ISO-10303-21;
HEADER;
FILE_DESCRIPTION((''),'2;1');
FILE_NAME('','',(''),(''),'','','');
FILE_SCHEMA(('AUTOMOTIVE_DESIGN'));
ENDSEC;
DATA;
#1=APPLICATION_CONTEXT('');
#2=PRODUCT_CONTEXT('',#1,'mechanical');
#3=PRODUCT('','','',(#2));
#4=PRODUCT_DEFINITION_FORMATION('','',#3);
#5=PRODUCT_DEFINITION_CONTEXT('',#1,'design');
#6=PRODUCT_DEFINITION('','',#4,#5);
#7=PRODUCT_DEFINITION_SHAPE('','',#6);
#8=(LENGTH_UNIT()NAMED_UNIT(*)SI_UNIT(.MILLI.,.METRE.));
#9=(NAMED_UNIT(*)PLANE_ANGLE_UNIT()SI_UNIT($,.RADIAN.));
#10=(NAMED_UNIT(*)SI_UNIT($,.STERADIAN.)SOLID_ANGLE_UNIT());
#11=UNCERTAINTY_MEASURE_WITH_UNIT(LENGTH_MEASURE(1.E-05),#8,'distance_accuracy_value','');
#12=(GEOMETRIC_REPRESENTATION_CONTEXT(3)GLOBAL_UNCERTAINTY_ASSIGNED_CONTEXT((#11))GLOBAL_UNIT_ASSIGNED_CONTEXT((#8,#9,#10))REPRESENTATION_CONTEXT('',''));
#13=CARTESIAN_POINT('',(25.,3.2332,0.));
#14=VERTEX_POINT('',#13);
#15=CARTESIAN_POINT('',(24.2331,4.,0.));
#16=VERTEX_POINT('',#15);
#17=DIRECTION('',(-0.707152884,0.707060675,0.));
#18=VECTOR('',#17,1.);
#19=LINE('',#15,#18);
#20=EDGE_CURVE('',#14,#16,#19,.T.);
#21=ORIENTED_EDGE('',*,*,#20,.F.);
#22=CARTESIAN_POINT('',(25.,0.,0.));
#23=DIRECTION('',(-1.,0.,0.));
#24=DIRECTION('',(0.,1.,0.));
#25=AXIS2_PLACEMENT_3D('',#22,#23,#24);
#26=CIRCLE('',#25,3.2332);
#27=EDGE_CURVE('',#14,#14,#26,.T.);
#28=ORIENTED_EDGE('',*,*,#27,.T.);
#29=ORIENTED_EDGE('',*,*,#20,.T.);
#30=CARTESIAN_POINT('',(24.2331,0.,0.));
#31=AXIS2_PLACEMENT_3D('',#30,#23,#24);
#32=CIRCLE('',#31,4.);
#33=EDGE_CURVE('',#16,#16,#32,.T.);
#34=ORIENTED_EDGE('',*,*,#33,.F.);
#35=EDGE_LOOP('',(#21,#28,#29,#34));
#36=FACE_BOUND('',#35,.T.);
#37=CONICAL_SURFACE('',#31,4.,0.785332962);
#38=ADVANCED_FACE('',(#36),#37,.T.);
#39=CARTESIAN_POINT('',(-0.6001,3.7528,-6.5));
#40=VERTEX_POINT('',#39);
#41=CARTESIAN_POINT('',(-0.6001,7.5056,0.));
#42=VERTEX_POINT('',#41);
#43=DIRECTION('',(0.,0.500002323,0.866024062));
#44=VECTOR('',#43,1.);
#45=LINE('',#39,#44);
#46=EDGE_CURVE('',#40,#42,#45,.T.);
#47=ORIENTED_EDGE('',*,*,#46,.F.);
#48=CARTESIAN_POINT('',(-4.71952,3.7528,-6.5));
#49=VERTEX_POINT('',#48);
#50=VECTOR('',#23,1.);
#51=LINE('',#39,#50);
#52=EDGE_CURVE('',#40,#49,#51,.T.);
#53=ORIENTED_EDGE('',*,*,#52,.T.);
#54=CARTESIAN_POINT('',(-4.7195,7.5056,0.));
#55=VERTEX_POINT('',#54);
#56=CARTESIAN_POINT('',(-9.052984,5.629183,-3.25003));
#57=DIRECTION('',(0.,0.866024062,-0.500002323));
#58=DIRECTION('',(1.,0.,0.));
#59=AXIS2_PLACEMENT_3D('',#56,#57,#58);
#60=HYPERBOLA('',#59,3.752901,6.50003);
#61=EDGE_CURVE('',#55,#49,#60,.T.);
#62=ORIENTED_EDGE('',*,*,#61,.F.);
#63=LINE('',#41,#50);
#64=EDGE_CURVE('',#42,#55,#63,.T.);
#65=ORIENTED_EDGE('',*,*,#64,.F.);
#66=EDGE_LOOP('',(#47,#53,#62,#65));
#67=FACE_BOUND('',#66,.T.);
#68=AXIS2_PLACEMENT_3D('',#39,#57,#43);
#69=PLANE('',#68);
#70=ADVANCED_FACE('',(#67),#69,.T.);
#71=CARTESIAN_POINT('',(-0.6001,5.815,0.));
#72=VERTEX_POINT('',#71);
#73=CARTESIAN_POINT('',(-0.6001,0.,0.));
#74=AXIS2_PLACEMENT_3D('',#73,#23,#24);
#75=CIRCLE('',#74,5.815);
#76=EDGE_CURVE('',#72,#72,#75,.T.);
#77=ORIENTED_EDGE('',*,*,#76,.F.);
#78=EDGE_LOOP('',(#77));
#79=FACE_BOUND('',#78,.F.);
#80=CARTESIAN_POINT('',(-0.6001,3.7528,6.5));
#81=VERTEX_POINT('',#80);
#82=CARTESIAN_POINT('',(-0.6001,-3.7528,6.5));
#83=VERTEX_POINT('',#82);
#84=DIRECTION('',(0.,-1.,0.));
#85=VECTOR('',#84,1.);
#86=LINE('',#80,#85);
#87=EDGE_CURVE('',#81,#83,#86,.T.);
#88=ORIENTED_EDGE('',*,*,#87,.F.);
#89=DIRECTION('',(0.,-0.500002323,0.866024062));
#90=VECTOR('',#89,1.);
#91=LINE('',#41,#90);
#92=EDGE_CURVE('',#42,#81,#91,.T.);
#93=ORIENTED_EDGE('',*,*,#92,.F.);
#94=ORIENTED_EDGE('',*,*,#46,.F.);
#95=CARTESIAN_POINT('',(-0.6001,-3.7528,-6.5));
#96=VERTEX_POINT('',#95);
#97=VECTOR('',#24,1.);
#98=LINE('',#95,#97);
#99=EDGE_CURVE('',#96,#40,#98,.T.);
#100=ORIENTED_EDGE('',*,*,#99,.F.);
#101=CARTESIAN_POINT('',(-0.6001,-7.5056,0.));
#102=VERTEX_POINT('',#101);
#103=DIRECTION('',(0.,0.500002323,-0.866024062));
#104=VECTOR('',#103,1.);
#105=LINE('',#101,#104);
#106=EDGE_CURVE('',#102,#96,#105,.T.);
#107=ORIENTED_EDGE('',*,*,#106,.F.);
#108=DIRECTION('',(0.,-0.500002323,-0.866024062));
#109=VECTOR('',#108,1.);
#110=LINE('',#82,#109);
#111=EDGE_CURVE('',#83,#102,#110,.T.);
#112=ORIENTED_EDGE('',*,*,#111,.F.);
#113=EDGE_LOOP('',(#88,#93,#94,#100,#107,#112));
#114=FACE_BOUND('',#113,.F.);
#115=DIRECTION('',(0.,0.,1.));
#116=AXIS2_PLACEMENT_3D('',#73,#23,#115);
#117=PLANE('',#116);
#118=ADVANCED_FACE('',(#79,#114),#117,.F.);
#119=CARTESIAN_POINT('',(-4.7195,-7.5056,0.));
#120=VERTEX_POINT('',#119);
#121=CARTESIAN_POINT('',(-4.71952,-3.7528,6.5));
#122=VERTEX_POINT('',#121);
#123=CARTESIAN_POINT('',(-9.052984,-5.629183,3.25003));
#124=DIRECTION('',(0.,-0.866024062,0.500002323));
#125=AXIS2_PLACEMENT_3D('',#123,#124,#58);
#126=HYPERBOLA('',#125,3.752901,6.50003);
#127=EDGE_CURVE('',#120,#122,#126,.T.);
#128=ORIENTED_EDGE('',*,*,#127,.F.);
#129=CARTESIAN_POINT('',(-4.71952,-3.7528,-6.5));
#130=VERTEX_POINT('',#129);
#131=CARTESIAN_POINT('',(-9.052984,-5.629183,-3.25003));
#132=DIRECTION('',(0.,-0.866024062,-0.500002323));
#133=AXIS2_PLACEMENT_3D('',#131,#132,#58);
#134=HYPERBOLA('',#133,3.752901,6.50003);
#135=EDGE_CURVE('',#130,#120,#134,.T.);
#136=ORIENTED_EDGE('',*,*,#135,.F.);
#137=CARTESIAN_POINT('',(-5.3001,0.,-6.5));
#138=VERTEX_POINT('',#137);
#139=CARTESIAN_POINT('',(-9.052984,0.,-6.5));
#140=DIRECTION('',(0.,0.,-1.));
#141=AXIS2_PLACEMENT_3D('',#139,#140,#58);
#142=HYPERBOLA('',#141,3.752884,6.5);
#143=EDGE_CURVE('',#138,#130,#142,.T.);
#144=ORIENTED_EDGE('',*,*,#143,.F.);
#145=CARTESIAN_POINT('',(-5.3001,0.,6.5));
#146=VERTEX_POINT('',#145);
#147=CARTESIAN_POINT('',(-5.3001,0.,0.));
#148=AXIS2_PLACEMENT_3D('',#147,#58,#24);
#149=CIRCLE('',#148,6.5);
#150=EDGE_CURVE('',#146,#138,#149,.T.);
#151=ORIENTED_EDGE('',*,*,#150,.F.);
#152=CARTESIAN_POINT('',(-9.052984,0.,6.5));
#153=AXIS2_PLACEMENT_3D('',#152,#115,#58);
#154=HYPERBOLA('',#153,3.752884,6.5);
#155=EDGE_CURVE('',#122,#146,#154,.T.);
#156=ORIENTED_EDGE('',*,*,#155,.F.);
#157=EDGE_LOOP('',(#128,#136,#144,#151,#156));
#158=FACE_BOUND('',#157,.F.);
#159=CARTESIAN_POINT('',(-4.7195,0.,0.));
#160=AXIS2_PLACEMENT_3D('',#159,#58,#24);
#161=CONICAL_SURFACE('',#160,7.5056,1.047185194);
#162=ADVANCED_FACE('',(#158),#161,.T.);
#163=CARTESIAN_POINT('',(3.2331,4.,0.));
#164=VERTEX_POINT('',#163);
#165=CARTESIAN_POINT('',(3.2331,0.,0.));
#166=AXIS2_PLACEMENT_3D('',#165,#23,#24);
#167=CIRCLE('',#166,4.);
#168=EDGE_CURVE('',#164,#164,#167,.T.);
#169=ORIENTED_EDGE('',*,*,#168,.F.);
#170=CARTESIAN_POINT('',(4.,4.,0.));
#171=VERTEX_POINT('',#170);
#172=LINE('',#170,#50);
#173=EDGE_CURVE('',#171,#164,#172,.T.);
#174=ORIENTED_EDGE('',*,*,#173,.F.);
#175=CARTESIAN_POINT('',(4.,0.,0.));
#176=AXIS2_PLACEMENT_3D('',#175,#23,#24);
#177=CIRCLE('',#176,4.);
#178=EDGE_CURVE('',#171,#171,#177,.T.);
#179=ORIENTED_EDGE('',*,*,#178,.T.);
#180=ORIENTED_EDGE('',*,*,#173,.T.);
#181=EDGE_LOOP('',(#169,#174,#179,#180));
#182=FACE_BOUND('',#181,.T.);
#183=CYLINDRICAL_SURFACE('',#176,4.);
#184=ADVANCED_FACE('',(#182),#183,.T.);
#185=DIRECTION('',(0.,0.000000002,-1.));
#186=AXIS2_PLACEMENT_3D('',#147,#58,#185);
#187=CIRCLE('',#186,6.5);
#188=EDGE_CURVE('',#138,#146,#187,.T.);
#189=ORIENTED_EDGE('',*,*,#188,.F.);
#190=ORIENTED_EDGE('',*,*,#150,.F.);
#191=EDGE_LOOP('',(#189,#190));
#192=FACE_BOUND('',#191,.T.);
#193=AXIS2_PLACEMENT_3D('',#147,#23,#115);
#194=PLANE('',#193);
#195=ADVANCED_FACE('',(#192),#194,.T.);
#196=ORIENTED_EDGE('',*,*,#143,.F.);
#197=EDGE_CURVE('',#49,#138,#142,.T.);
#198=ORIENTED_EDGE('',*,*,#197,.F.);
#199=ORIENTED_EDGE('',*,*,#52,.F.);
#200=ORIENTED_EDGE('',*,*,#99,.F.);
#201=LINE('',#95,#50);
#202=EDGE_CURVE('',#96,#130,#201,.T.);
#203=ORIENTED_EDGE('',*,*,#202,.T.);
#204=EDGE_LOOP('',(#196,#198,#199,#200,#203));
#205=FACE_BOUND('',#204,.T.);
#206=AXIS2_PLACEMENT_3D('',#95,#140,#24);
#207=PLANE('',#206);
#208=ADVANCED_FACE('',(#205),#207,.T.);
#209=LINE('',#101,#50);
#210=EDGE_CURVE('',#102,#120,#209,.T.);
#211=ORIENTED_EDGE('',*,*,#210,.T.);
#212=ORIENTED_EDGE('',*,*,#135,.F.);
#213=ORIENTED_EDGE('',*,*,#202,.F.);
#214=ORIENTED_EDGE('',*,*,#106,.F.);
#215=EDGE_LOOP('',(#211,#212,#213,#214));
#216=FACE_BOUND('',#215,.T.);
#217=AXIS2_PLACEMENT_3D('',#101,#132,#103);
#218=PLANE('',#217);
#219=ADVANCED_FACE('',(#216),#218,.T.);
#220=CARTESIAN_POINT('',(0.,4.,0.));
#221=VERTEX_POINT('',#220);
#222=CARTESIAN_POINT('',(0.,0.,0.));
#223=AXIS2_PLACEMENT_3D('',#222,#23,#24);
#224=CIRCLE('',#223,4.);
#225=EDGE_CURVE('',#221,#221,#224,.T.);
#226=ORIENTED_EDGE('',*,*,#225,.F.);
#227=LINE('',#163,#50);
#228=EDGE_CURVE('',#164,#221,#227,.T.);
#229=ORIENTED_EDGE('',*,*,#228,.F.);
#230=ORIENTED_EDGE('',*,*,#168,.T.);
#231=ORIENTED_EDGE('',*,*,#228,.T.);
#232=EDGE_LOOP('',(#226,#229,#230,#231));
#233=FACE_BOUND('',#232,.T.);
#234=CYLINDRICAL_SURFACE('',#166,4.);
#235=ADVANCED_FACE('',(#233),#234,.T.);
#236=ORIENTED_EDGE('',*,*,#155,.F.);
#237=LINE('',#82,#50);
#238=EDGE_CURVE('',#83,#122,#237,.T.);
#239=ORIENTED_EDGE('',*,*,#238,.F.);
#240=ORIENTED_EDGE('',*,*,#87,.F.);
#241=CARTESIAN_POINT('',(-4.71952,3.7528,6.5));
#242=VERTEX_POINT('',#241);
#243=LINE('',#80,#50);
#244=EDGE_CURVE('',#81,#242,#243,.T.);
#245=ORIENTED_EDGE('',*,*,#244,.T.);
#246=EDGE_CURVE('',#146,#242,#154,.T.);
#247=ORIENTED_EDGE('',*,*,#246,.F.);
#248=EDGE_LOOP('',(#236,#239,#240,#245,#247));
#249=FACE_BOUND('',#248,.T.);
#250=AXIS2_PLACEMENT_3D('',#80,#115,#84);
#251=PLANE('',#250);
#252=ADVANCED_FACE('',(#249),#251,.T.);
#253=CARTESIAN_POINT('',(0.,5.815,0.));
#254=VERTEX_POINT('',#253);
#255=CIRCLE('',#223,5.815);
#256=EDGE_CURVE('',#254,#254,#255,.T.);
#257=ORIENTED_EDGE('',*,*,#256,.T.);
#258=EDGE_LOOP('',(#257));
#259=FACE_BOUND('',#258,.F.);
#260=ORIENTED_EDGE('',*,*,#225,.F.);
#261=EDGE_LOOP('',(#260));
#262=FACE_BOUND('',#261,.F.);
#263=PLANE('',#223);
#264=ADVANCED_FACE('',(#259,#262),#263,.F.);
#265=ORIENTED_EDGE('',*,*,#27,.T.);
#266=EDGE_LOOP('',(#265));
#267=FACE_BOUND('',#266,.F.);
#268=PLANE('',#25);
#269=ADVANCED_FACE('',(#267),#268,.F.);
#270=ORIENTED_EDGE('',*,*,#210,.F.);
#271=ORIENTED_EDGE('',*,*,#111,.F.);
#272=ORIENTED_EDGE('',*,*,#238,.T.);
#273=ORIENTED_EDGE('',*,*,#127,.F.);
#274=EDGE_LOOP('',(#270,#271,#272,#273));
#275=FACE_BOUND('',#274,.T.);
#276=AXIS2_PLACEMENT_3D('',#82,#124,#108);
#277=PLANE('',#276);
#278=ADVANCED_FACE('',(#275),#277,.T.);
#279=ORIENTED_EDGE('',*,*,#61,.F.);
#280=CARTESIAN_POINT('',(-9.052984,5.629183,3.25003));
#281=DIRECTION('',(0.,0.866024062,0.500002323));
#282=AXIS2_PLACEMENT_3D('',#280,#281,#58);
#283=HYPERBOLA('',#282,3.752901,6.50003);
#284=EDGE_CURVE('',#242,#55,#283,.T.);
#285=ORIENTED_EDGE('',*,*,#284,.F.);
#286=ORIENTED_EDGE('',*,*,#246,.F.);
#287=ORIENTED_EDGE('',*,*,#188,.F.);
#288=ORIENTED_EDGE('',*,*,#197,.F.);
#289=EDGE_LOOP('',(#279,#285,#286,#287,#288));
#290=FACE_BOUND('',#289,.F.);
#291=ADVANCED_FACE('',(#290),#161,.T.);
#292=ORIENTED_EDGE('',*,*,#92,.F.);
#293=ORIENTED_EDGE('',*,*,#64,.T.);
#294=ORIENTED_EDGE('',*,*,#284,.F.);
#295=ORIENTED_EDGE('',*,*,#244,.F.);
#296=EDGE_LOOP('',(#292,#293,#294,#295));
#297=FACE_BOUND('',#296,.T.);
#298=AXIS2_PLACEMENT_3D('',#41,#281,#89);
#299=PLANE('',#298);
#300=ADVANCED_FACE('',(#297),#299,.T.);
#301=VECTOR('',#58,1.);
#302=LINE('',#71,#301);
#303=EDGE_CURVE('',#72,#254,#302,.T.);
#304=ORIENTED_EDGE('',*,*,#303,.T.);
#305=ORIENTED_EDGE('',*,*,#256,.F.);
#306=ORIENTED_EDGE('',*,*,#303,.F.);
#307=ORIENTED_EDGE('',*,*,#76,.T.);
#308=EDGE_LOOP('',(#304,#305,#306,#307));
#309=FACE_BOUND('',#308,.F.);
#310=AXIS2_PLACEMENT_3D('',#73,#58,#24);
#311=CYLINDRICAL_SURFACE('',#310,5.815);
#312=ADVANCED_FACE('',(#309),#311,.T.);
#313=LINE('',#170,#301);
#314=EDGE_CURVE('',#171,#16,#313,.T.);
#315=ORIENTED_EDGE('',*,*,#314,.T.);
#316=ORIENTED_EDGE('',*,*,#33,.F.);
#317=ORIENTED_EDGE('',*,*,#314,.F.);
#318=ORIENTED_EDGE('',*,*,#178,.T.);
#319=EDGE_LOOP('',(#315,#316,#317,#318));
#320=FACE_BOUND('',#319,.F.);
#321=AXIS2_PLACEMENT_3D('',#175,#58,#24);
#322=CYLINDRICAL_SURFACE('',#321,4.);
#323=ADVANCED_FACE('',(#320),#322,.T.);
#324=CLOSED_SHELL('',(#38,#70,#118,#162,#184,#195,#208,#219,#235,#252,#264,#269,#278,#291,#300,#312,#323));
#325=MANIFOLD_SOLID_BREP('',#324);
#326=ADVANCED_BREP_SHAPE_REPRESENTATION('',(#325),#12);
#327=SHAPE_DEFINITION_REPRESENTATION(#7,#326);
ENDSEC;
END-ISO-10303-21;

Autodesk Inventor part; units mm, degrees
ref_plane "YZ Plane" through (0, 0, 0) normal (1, 0, 0) x (0, 1, 0)
ref_plane "XZ Plane" through (0, 0, 0) normal (0, 1, 0) x (-1, 0, 0)
ref_plane "XY Plane" through (0, 0, 0) normal (0, 0, 1) x (1, 0, 0)
sketch "Sketch1" plane through (0, 0, 0) normal (0, 0, 1) x (1, 0, 0)
  line L0 (0, 5.815) -> (0, 4)
  line L1 (4, 4) -> (25, 4)
  line L2 (25, 4) -> (25, 0)
  line L3 (25, 0) -> (-0.6001, 0)
  line L4 (-3.0501, 0) -> (32.65, 0) projected
  line L5 (-0.6001, 0) -> (-0.6001, 5.815)
  line L6 (-0.6001, 5.815) -> (0, 5.815)
  line L7 (4, 4) -> (3.2331, 4)
  line L8 (3.2331, 4) -> (0, 4)
  line L9 (0, -0.344) -> (0, 4.472) projected
  dimension "d0" = 25
  dimension "d1" = 21
  dimension "d2" = 8
  dimension "d9" = 0.6001
  dimension "d10" = 11.63
  dimension "d13" = 0.7669
  dimension "d14" = 8
revolve "Body" add sketch "Sketch1" angle 360 about axis through (25, 0, 0) along (-1, 0, 0)
sketch "Sketch2" plane through (-0.6001, 0, 0) normal (-1, 0, 0) x (0, 0, 1)
  line L0 (0, 7.5056) -> (6.5, 3.7528)
  line L1 (6.5, 3.7528) -> (6.5, -3.7528)
  line L2 (6.5, -3.7528) -> (0, -7.5056)
  line L3 (0, -7.5056) -> (-6.5, -3.7528)
  line L4 (-6.5, -3.7528) -> (-6.5, 3.7528)
  line L5 (-6.5, 3.7528) -> (0, 7.5056)
  point P0 (0, 0)
  point P1 (0, 0)
  dimension "d11" = 13
extrude "Head" add sketch "Sketch2" along normal blind 4.7
sketch "Sketch4" plane through (0, 0, 0) normal (0, 0, 1) x (1, 0, 0)
  line L0 (-5.3001, 6.5) -> (-5.3001, 7.5056)
  line L1 (-5.3001, 7.5056) -> (-4.7195, 7.5056)
  line L2 (-4.7195, 7.5056) -> (-5.3001, 6.5)
  line L3 (-3.8001, 0) -> (0.3999, 0) projected
  line L4 (-0.6001, 7.5056) -> (-5.3001, 7.5056) projected
  line L5 (-5.3001, 3.7528) -> (-5.3001, 7.5056) projected
  dimension "d5" = 30
  dimension "d19" = 13
revolve "Chamfer1" cut sketch "Sketch4" angle 360 about axis through (-10, 0, 0) along (1, 0, 0)
thread "Thread" size "M8x1.25" class "6g" standard "ISO Metric profile" length 21
chamfer "Chamfer2" distance 0.7668 distance2 0.7669 1 edges at (25, -4, 0) measured on face at (25, 0.998, -0.8842)
equation "\"d0\" = NLG"
equation "\"d1\" = GEL"
equation "\"d2\" = GD"
equation "\"d10\" = SD2"
equation "\"d14\" = BDM"
equation "\"d11\" = SW"
equation "\"d3\" = KOH - SD"
equation "\"d5\" = ANG1"
equation "\"d19\" = SW0"
equation "\"d15\" = GEL"
equation "\"d6\" = -0.5 * SPD + 0.5 * GD"
equation "\"NLG\" = 25"
equation "\"GD\" = NND"
equation "\"BDM\" = NND"
equation "\"KOH\" = 5.3"
equation "\"GEL\" = 21"
equation "\"SW\" = 13"
equation "\"SW0\" = SW"
equation "\"SPD\" = NND - 1.2269 * TPU"
equation "\"SD2\" = 11.63"
equation "\"SD\" = 0.6"
equation "\"ANG1\" = 30deg"
equation "\"GAL\" = 0.61345 * TPU"
equation "\"GUL\" = 0.61345 * TPU"
equation "\"RR\" = 0.4"
equation "\"d20\" = -NLG"
equation "\"TOA\" = 30deg"
equation "\"PTC\" = TPU"
equation "\"GD1\" = THREADDIA - 1.2269 * TPU"
equation "\"TPU\" = 1.25"
equation "\"THREADDIA\" = 8"
equation "\"SDH\" = SD2"
equation "\"E0\" = 15.015"
equation "\"NND\" = 8"
equation "\"SDHG\" = 4"
properties part number "ISO 4017 - M8 x 25" material "Steel, Mild"
